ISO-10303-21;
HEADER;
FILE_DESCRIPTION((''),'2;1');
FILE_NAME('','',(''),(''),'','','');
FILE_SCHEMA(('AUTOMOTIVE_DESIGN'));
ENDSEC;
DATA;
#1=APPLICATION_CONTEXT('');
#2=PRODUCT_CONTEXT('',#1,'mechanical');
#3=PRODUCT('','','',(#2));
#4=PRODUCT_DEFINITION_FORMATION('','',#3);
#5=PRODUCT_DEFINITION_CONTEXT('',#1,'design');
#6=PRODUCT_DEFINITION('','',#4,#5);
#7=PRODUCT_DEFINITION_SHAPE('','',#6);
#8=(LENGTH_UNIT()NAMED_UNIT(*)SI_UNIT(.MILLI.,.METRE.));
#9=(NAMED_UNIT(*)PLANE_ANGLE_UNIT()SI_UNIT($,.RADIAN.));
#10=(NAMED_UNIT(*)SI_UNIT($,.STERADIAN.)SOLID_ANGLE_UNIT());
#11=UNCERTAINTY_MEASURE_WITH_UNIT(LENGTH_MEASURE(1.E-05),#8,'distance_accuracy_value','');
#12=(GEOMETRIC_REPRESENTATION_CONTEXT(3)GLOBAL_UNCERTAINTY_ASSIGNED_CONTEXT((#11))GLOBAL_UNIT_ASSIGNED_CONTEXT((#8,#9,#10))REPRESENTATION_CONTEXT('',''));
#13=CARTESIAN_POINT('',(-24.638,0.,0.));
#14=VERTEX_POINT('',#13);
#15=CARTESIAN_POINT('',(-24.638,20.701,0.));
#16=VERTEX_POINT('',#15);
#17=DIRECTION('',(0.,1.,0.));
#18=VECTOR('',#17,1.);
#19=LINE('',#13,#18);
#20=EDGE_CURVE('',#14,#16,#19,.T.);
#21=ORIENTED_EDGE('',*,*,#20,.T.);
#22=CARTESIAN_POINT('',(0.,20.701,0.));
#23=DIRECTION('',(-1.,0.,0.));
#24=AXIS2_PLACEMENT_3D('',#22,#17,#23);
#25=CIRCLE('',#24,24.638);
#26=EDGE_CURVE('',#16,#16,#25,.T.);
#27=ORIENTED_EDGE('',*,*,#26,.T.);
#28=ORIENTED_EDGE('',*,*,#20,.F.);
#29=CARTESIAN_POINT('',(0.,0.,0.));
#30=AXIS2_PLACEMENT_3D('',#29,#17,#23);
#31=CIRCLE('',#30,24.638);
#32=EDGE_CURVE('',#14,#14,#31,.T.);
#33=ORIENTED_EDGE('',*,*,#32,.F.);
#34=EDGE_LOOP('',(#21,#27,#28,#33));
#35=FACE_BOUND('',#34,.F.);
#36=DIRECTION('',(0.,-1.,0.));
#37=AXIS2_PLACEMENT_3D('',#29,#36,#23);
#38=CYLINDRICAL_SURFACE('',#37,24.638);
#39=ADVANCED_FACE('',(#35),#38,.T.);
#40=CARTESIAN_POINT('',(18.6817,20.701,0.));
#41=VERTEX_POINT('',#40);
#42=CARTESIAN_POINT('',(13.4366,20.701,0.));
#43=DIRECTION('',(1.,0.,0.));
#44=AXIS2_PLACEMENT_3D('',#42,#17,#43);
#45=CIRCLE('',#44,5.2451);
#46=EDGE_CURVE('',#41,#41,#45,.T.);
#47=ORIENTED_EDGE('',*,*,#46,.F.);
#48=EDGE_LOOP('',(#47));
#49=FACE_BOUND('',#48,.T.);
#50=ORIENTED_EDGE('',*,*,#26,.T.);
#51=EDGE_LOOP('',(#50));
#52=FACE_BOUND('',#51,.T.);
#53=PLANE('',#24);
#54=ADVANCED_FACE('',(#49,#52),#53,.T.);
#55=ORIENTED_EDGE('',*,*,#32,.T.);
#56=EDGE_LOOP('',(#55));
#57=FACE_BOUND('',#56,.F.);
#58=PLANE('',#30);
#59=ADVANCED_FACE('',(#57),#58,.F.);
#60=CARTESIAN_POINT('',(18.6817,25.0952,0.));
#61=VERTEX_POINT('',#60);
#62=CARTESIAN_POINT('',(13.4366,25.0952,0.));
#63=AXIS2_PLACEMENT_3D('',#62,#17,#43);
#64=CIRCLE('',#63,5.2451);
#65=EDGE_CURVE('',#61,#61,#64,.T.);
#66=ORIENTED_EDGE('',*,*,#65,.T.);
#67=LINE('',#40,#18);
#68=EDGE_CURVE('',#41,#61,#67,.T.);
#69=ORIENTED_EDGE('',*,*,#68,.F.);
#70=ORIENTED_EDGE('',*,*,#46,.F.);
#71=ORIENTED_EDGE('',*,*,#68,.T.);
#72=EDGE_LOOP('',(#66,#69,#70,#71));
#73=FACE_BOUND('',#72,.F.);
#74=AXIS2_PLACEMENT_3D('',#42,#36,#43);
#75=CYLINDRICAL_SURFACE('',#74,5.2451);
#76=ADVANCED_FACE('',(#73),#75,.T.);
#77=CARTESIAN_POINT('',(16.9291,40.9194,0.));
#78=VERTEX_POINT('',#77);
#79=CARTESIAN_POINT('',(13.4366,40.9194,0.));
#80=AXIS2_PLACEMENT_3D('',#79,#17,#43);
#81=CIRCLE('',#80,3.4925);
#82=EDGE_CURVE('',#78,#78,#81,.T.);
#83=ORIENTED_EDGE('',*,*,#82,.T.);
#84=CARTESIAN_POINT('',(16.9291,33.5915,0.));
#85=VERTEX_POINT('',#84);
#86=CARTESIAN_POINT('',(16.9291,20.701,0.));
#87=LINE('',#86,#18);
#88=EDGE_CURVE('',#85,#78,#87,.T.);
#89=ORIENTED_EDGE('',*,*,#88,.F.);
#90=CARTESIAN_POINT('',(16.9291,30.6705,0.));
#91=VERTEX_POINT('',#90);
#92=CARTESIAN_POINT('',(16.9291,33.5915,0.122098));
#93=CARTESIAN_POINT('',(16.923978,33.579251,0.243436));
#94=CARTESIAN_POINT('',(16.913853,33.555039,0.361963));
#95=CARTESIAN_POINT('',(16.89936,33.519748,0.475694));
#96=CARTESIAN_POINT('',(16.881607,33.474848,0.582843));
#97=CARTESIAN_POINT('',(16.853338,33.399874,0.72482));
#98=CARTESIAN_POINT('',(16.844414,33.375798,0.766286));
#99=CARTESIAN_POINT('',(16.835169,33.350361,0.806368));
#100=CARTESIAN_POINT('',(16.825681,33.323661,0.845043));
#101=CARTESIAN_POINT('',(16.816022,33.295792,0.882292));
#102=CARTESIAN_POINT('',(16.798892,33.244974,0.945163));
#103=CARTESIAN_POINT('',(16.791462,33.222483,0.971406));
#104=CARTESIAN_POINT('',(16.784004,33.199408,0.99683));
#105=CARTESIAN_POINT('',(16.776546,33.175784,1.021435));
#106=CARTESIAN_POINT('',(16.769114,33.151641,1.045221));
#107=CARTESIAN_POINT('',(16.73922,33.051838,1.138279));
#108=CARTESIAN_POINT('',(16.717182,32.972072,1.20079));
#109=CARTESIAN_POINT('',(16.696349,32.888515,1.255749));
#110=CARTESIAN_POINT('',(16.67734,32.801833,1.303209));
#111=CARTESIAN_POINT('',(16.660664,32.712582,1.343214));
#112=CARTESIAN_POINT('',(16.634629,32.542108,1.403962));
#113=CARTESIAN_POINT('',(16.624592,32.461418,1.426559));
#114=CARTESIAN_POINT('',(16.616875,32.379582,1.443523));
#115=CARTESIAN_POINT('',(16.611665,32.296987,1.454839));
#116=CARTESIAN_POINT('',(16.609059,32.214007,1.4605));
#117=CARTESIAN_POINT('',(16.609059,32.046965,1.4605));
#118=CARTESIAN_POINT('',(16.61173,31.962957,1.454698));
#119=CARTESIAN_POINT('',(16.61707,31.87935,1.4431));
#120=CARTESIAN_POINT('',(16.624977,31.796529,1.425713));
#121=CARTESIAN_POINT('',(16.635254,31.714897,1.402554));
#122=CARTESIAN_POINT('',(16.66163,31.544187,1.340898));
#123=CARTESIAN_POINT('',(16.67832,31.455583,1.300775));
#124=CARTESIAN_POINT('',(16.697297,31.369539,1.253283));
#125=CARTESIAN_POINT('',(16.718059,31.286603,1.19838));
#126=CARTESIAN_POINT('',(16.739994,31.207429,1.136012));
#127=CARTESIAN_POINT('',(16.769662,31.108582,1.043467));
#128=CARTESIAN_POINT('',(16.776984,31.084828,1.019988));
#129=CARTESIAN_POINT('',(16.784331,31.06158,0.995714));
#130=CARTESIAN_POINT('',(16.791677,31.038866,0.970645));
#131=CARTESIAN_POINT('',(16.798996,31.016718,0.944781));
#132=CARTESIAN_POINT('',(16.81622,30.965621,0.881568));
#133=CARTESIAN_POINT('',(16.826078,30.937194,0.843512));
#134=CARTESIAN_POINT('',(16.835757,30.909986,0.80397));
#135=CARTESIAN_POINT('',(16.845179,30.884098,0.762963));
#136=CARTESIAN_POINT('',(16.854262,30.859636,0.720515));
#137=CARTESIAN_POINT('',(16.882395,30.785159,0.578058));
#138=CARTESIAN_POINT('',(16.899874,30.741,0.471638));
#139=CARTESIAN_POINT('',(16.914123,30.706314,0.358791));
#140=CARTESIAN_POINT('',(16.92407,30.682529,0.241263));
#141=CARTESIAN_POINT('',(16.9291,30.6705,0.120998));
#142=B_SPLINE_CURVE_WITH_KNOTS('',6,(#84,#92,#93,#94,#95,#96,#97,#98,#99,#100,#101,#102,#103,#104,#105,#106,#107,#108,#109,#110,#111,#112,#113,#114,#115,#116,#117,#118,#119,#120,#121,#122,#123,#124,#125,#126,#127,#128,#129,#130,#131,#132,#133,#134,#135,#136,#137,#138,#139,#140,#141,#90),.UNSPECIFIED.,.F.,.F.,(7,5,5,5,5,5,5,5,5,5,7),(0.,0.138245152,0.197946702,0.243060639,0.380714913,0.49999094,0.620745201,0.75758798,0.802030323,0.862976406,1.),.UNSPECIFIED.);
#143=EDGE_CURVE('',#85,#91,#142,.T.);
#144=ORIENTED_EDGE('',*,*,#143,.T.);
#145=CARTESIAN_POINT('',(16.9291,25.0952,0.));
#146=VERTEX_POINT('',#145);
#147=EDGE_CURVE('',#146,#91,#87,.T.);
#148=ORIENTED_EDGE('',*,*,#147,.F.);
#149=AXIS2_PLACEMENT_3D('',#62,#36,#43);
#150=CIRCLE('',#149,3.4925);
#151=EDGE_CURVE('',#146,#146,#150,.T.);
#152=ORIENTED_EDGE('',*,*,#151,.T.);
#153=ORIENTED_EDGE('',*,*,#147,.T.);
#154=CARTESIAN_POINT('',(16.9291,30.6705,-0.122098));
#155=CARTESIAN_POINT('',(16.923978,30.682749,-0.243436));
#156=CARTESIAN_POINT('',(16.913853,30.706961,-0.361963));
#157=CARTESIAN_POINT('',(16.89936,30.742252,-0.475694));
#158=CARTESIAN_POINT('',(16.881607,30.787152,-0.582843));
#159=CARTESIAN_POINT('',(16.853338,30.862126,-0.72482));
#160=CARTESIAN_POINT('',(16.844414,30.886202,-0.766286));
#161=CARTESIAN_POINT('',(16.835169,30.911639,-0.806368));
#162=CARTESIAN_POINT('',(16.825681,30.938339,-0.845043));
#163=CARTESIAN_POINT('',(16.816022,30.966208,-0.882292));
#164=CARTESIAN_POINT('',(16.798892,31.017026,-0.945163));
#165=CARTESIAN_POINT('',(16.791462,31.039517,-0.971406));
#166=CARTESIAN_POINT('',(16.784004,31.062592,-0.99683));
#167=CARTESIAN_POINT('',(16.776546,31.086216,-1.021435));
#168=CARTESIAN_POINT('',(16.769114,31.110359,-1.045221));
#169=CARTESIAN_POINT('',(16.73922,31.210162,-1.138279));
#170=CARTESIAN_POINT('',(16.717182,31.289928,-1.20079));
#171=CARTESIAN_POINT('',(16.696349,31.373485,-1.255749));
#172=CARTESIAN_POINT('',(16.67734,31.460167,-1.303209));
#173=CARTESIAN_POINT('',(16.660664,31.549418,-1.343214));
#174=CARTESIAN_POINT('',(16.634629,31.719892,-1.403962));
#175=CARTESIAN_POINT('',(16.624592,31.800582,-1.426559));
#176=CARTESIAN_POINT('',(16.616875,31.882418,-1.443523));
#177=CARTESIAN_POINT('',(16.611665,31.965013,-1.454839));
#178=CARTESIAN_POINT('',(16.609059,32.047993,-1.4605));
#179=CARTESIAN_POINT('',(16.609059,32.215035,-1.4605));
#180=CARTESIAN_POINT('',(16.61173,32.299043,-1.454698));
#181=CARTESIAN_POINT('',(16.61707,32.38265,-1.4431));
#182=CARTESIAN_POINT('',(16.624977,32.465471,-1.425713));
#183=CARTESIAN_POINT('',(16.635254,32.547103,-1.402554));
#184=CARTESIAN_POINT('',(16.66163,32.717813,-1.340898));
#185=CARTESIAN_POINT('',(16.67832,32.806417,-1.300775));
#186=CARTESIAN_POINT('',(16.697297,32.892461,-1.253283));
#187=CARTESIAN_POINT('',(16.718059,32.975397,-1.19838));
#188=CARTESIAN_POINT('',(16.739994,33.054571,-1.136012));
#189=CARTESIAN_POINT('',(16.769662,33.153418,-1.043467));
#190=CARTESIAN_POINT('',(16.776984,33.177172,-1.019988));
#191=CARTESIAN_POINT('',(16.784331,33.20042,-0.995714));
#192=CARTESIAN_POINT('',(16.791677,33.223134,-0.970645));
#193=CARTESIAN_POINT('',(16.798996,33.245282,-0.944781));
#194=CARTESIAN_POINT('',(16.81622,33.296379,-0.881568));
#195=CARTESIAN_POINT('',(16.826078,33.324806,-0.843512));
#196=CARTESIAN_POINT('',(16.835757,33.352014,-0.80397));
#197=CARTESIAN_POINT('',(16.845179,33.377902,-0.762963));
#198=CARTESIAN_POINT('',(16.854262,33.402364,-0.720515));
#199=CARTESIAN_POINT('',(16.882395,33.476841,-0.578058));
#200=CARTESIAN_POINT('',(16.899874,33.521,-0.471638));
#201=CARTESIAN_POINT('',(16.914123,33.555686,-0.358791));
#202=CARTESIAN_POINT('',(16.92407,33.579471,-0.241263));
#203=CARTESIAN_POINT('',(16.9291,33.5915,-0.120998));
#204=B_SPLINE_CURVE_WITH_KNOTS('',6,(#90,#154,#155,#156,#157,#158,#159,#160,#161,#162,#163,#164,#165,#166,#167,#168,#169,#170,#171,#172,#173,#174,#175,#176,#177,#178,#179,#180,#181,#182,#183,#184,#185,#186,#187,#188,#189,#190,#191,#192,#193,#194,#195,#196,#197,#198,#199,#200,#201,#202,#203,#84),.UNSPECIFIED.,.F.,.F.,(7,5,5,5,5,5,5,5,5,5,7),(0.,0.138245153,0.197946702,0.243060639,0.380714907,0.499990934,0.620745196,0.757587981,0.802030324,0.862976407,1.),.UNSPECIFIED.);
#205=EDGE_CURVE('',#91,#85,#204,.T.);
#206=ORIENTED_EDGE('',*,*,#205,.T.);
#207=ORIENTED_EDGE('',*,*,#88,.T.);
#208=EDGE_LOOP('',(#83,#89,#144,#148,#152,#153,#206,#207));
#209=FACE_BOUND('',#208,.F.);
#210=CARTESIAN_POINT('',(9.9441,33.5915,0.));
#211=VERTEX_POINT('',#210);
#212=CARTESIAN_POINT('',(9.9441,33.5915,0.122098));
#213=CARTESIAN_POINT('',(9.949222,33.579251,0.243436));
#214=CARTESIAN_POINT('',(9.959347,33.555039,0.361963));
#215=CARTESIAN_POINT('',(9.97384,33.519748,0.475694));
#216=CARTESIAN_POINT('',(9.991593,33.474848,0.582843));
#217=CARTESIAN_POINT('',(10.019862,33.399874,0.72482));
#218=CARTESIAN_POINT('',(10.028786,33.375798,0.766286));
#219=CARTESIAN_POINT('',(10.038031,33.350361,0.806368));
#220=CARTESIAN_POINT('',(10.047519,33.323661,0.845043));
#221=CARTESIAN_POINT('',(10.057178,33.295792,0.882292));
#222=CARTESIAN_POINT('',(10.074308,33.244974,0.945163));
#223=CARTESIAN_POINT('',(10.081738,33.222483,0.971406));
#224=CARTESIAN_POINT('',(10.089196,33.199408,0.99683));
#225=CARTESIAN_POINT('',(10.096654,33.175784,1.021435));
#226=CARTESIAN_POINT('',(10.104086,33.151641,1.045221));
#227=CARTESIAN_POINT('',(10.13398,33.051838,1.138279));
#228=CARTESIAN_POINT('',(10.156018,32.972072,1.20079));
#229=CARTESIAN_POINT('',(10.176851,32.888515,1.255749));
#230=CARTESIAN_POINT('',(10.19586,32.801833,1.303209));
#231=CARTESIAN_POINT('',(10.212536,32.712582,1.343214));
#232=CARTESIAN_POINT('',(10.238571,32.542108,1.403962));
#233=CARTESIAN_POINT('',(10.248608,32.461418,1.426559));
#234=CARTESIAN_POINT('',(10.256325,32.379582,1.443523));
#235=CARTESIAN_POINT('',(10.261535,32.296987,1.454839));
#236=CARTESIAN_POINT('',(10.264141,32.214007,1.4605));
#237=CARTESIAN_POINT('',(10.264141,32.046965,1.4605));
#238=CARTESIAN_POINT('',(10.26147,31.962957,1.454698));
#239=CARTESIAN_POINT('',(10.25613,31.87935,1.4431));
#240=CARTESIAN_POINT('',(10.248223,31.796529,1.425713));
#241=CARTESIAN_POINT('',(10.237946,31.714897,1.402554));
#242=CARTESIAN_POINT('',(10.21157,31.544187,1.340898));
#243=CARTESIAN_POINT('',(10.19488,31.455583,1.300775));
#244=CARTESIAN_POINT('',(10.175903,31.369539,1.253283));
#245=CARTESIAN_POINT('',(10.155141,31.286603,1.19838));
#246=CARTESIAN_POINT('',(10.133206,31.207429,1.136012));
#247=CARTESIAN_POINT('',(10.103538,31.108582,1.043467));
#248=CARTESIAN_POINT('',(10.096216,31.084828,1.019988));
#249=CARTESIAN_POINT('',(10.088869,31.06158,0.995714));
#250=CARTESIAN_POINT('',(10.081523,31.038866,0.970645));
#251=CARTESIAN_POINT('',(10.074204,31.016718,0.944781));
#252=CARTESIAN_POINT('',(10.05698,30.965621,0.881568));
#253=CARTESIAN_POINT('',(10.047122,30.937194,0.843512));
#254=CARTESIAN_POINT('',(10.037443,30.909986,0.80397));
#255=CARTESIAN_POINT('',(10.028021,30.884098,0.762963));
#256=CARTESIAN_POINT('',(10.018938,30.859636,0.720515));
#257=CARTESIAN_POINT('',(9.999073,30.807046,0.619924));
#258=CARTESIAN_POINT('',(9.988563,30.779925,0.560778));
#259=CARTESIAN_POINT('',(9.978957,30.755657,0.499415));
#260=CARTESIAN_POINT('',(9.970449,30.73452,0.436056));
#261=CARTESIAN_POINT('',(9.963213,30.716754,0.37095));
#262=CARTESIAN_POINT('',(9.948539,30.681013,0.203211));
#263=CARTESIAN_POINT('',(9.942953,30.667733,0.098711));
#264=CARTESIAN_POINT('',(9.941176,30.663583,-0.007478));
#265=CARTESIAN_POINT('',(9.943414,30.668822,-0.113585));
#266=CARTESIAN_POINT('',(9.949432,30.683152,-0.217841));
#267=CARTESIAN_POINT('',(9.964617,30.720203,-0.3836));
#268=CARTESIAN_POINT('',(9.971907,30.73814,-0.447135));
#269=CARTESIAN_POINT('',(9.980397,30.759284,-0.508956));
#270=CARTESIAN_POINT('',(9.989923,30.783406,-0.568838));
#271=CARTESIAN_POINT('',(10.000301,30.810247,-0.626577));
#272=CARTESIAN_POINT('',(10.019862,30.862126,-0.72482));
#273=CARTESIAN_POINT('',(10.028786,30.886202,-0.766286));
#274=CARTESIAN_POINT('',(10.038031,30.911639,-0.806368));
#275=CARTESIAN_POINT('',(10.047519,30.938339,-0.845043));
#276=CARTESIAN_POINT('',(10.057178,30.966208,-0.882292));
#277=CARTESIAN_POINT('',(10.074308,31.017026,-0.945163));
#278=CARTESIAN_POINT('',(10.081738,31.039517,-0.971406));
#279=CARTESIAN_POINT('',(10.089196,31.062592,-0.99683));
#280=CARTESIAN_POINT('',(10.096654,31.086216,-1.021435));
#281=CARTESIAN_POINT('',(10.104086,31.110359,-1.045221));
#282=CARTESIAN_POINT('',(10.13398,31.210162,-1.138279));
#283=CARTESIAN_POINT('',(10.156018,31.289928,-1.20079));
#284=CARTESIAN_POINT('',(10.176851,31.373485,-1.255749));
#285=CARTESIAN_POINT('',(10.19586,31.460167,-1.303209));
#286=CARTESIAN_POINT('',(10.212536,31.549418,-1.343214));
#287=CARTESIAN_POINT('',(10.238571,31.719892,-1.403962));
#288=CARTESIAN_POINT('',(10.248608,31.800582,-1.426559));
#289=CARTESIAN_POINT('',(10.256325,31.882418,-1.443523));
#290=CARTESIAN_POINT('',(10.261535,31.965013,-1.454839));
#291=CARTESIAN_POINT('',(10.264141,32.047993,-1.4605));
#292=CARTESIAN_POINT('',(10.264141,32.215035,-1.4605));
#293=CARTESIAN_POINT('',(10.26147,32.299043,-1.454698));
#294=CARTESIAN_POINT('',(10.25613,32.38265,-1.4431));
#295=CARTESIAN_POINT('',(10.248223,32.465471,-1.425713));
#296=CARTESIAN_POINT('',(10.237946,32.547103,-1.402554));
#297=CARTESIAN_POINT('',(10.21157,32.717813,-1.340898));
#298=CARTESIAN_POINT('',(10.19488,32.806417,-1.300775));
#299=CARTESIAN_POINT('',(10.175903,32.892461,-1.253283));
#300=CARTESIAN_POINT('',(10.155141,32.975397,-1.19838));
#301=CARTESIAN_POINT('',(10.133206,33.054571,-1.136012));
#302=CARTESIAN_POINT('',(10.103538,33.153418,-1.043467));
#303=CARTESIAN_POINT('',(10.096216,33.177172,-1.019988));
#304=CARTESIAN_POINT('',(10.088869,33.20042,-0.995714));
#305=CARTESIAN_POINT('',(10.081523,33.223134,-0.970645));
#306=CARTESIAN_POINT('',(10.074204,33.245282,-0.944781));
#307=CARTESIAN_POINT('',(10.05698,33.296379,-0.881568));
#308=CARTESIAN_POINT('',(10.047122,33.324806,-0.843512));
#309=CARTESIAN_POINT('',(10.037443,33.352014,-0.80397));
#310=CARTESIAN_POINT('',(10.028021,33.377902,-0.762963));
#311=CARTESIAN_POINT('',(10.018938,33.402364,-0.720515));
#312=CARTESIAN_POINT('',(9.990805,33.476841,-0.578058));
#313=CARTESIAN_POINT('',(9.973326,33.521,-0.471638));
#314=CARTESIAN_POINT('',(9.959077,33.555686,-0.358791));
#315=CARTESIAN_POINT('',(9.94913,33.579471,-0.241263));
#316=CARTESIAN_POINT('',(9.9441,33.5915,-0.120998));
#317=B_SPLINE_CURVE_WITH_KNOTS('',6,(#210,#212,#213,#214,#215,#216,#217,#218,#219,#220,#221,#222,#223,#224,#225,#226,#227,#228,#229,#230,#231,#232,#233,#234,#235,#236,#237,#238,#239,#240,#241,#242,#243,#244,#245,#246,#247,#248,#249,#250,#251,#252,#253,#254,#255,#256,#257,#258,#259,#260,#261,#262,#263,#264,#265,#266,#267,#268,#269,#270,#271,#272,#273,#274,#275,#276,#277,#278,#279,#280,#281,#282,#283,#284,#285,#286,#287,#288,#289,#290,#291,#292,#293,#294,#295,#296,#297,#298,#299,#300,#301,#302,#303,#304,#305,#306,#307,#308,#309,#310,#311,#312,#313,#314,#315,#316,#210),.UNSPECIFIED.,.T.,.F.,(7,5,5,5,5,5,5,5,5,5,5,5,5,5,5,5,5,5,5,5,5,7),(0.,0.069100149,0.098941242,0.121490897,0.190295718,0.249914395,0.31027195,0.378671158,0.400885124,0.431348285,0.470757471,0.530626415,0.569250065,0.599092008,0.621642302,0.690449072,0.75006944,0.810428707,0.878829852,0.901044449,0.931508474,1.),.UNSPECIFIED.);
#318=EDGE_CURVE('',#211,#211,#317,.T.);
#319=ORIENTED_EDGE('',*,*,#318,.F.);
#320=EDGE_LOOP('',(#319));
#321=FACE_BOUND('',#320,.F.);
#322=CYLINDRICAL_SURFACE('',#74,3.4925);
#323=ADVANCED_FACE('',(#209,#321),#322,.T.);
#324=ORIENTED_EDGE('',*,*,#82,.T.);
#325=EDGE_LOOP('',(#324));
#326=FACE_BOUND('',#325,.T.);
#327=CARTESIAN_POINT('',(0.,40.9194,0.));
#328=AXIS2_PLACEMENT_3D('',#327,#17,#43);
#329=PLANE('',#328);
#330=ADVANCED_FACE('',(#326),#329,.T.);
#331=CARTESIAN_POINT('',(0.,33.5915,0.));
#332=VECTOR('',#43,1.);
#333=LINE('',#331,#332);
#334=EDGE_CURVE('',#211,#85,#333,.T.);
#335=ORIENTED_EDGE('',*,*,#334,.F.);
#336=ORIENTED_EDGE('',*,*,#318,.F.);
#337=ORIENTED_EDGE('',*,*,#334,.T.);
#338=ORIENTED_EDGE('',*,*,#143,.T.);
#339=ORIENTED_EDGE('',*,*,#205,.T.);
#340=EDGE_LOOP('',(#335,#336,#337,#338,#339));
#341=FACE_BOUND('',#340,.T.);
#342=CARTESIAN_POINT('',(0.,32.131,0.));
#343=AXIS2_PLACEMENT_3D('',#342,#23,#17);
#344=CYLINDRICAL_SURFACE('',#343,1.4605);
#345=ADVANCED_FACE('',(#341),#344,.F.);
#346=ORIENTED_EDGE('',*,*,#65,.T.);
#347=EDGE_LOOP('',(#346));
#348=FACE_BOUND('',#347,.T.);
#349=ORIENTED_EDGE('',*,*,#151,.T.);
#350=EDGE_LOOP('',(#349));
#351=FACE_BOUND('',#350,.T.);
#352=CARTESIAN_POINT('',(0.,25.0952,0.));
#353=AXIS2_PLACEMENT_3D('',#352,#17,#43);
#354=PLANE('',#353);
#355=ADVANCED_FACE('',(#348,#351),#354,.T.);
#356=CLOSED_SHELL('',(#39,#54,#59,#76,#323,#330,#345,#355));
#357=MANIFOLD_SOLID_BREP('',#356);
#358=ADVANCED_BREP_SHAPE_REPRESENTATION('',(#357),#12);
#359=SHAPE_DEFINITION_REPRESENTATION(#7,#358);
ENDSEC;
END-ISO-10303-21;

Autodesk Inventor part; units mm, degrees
ref_plane "YZ Plane" through (0, 0, 0) normal (1, 0, 0) x (0, 1, 0)
ref_plane "XZ Plane" through (0, 0, 0) normal (0, 1, 0) x (-1, 0, 0)
ref_plane "XY Plane" through (0, 0, 0) normal (0, 0, 1) x (1, 0, 0)
sketch "Sketch1" plane through (0, 0, 0) normal (0, 1, 0) x (-1, 0, 0)
  circle A0 centre (0, 0) radius 24.638
  dimension "d0" = 49.276
extrude "Extrusion1" add sketch "Sketch1" along normal blind 20.701
sketch "Sketch2" plane through (0, 20.701, 0) normal (0, 1, 0) x (1, 0, 0)
  circle A0 centre (13.4366, 0) radius 3.4925
  point P0 (0, 0)
  dimension "d3" = 6.985
  dimension "d4" = 13.4366
extrude "Extrusion2" add sketch "Sketch2" along normal blind 20.2184
sketch "Sketch3" plane through (0, 20.701, 0) normal (0, 1, 0) x (1, 0, 0)
  circle A0 centre (13.4366, 0) radius 3.4925 projected
  circle A1 centre (13.4366, 0) radius 5.2451
  point P0 (0, 0)
  dimension "d7" = 10.4902
extrude "Extrusion3" add sketch "Sketch3" along normal blind 4.3942 contours A0 | A1
sketch "Sketch4" plane through (0, 0, 0) normal (1, 0, 0) x (0, 1, 0)
  circle A0 centre (32.131, 0) radius 1.4605
  line L0 (20.701, -24.638) -> (20.701, 24.638) projected
  point P0 (0, 0)
  dimension "d10" = 2.921
  dimension "d11" = 11.43
extrude "Extrusion4" cut sketch "Sketch4" along normal through all
properties part number "24W_motor"
